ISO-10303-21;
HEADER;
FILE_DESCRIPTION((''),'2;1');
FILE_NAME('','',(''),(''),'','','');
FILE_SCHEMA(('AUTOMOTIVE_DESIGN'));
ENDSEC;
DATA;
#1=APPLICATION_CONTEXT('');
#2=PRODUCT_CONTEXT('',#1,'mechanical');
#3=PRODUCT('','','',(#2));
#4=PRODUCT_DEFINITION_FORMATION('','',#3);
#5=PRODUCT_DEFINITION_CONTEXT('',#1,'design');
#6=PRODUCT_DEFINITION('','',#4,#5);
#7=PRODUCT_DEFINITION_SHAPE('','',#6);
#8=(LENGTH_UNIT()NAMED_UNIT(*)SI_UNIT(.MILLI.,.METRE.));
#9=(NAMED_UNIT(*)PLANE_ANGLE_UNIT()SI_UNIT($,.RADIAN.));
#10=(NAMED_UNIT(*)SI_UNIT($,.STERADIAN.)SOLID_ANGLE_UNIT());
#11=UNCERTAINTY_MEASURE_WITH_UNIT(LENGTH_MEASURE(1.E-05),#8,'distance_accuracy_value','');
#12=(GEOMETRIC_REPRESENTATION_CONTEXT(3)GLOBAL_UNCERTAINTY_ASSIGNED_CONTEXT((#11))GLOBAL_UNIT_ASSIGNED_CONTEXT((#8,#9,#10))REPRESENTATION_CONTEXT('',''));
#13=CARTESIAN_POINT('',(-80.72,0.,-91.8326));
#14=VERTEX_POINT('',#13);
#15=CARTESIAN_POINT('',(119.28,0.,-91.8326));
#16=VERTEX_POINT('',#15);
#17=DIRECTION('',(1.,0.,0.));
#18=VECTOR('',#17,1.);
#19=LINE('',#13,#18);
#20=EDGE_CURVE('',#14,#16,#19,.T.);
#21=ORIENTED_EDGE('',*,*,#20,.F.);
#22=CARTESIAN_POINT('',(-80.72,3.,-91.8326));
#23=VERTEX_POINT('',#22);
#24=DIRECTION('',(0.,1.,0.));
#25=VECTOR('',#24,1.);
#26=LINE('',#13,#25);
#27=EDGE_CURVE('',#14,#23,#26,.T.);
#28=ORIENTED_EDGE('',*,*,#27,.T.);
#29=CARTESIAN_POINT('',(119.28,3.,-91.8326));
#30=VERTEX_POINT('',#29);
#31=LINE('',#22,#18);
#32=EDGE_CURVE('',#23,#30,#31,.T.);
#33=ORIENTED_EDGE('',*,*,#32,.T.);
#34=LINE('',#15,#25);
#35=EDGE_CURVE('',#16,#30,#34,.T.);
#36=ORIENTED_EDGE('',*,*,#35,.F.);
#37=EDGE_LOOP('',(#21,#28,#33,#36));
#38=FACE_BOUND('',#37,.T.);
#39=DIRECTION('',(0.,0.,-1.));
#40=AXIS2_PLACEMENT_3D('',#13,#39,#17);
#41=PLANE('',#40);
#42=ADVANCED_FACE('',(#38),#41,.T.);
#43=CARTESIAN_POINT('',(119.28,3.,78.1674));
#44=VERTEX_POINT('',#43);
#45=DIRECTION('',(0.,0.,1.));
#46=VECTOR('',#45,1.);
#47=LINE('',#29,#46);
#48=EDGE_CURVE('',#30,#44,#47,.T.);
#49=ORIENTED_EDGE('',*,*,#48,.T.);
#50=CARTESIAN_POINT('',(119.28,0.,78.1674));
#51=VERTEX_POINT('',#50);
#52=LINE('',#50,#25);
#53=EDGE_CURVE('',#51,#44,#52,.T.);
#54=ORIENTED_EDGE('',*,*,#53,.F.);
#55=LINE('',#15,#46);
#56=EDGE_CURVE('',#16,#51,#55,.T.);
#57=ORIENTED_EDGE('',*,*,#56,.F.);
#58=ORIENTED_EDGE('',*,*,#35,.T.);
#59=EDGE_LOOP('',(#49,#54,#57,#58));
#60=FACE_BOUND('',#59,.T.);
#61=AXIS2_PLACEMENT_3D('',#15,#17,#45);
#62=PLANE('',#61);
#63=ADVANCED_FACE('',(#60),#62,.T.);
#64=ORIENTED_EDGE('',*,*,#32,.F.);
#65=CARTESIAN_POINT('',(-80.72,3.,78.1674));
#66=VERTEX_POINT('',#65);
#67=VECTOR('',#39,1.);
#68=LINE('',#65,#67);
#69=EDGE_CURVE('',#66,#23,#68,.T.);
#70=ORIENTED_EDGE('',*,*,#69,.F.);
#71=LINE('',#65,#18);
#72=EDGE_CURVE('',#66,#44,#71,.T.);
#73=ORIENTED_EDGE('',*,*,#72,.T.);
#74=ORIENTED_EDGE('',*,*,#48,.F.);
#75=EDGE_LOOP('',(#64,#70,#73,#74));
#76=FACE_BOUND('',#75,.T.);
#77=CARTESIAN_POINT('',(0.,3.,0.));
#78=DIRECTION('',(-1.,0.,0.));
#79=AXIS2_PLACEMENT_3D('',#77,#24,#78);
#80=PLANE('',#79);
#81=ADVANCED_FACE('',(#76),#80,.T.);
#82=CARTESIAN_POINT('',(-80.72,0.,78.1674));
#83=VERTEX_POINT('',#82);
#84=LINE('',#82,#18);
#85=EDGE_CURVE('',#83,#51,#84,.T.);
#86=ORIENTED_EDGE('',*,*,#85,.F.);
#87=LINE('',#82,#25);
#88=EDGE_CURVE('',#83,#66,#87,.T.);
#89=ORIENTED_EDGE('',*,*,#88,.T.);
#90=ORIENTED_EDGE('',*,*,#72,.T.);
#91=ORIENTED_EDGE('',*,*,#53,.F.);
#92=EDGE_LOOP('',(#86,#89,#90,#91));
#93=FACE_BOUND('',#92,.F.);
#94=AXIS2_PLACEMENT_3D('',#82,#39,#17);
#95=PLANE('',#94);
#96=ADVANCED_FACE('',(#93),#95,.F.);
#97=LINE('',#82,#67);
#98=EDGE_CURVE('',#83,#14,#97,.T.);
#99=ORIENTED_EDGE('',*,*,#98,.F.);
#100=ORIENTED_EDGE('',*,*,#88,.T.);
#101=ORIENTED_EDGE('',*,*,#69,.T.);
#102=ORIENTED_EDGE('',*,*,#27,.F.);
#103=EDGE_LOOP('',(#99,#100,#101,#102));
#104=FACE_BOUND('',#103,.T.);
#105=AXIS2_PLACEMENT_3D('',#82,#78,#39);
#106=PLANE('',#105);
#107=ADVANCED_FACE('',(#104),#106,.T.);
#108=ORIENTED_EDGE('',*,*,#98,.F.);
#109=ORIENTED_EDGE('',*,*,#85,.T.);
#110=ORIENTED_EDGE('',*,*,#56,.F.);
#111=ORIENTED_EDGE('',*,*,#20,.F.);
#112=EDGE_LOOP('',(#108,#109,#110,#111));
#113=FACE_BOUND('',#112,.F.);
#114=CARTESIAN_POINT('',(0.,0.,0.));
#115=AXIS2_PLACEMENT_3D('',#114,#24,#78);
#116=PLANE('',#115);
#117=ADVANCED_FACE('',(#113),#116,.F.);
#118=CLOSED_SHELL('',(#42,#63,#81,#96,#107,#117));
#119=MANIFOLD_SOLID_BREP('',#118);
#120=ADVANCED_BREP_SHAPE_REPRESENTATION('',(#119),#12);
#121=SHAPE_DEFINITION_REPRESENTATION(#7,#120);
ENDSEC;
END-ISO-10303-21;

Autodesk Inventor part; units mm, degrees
ref_plane "YZ Plane" through (0, 0, 0) normal (1, 0, 0) x (0, 1, 0)
ref_plane "XZ Plane" through (0, 0, 0) normal (0, 1, 0) x (-1, 0, 0)
ref_plane "XY Plane" through (0, 0, 0) normal (0, 0, 1) x (1, 0, 0)
sketch "スケッチ1" plane through (0, 0, 0) normal (0, 1, 0) x (-1, 0, 0)
  line L0 (80.72, 78.1674) -> (-119.28, 78.1674)
  line L1 (80.72, 78.1674) -> (80.72, -91.8326)
  line L2 (80.72, -91.8326) -> (-119.28, -91.8326)
  line L3 (-119.28, -91.8326) -> (-119.28, 78.1674)
  point P0 (0, 0)
  dimension "d0" = 200
  dimension "d1" = 170
extrude "押し出し1" add sketch "スケッチ1" along normal blind 3
properties part number "下板" material "ポリカーボネート、クリア"
